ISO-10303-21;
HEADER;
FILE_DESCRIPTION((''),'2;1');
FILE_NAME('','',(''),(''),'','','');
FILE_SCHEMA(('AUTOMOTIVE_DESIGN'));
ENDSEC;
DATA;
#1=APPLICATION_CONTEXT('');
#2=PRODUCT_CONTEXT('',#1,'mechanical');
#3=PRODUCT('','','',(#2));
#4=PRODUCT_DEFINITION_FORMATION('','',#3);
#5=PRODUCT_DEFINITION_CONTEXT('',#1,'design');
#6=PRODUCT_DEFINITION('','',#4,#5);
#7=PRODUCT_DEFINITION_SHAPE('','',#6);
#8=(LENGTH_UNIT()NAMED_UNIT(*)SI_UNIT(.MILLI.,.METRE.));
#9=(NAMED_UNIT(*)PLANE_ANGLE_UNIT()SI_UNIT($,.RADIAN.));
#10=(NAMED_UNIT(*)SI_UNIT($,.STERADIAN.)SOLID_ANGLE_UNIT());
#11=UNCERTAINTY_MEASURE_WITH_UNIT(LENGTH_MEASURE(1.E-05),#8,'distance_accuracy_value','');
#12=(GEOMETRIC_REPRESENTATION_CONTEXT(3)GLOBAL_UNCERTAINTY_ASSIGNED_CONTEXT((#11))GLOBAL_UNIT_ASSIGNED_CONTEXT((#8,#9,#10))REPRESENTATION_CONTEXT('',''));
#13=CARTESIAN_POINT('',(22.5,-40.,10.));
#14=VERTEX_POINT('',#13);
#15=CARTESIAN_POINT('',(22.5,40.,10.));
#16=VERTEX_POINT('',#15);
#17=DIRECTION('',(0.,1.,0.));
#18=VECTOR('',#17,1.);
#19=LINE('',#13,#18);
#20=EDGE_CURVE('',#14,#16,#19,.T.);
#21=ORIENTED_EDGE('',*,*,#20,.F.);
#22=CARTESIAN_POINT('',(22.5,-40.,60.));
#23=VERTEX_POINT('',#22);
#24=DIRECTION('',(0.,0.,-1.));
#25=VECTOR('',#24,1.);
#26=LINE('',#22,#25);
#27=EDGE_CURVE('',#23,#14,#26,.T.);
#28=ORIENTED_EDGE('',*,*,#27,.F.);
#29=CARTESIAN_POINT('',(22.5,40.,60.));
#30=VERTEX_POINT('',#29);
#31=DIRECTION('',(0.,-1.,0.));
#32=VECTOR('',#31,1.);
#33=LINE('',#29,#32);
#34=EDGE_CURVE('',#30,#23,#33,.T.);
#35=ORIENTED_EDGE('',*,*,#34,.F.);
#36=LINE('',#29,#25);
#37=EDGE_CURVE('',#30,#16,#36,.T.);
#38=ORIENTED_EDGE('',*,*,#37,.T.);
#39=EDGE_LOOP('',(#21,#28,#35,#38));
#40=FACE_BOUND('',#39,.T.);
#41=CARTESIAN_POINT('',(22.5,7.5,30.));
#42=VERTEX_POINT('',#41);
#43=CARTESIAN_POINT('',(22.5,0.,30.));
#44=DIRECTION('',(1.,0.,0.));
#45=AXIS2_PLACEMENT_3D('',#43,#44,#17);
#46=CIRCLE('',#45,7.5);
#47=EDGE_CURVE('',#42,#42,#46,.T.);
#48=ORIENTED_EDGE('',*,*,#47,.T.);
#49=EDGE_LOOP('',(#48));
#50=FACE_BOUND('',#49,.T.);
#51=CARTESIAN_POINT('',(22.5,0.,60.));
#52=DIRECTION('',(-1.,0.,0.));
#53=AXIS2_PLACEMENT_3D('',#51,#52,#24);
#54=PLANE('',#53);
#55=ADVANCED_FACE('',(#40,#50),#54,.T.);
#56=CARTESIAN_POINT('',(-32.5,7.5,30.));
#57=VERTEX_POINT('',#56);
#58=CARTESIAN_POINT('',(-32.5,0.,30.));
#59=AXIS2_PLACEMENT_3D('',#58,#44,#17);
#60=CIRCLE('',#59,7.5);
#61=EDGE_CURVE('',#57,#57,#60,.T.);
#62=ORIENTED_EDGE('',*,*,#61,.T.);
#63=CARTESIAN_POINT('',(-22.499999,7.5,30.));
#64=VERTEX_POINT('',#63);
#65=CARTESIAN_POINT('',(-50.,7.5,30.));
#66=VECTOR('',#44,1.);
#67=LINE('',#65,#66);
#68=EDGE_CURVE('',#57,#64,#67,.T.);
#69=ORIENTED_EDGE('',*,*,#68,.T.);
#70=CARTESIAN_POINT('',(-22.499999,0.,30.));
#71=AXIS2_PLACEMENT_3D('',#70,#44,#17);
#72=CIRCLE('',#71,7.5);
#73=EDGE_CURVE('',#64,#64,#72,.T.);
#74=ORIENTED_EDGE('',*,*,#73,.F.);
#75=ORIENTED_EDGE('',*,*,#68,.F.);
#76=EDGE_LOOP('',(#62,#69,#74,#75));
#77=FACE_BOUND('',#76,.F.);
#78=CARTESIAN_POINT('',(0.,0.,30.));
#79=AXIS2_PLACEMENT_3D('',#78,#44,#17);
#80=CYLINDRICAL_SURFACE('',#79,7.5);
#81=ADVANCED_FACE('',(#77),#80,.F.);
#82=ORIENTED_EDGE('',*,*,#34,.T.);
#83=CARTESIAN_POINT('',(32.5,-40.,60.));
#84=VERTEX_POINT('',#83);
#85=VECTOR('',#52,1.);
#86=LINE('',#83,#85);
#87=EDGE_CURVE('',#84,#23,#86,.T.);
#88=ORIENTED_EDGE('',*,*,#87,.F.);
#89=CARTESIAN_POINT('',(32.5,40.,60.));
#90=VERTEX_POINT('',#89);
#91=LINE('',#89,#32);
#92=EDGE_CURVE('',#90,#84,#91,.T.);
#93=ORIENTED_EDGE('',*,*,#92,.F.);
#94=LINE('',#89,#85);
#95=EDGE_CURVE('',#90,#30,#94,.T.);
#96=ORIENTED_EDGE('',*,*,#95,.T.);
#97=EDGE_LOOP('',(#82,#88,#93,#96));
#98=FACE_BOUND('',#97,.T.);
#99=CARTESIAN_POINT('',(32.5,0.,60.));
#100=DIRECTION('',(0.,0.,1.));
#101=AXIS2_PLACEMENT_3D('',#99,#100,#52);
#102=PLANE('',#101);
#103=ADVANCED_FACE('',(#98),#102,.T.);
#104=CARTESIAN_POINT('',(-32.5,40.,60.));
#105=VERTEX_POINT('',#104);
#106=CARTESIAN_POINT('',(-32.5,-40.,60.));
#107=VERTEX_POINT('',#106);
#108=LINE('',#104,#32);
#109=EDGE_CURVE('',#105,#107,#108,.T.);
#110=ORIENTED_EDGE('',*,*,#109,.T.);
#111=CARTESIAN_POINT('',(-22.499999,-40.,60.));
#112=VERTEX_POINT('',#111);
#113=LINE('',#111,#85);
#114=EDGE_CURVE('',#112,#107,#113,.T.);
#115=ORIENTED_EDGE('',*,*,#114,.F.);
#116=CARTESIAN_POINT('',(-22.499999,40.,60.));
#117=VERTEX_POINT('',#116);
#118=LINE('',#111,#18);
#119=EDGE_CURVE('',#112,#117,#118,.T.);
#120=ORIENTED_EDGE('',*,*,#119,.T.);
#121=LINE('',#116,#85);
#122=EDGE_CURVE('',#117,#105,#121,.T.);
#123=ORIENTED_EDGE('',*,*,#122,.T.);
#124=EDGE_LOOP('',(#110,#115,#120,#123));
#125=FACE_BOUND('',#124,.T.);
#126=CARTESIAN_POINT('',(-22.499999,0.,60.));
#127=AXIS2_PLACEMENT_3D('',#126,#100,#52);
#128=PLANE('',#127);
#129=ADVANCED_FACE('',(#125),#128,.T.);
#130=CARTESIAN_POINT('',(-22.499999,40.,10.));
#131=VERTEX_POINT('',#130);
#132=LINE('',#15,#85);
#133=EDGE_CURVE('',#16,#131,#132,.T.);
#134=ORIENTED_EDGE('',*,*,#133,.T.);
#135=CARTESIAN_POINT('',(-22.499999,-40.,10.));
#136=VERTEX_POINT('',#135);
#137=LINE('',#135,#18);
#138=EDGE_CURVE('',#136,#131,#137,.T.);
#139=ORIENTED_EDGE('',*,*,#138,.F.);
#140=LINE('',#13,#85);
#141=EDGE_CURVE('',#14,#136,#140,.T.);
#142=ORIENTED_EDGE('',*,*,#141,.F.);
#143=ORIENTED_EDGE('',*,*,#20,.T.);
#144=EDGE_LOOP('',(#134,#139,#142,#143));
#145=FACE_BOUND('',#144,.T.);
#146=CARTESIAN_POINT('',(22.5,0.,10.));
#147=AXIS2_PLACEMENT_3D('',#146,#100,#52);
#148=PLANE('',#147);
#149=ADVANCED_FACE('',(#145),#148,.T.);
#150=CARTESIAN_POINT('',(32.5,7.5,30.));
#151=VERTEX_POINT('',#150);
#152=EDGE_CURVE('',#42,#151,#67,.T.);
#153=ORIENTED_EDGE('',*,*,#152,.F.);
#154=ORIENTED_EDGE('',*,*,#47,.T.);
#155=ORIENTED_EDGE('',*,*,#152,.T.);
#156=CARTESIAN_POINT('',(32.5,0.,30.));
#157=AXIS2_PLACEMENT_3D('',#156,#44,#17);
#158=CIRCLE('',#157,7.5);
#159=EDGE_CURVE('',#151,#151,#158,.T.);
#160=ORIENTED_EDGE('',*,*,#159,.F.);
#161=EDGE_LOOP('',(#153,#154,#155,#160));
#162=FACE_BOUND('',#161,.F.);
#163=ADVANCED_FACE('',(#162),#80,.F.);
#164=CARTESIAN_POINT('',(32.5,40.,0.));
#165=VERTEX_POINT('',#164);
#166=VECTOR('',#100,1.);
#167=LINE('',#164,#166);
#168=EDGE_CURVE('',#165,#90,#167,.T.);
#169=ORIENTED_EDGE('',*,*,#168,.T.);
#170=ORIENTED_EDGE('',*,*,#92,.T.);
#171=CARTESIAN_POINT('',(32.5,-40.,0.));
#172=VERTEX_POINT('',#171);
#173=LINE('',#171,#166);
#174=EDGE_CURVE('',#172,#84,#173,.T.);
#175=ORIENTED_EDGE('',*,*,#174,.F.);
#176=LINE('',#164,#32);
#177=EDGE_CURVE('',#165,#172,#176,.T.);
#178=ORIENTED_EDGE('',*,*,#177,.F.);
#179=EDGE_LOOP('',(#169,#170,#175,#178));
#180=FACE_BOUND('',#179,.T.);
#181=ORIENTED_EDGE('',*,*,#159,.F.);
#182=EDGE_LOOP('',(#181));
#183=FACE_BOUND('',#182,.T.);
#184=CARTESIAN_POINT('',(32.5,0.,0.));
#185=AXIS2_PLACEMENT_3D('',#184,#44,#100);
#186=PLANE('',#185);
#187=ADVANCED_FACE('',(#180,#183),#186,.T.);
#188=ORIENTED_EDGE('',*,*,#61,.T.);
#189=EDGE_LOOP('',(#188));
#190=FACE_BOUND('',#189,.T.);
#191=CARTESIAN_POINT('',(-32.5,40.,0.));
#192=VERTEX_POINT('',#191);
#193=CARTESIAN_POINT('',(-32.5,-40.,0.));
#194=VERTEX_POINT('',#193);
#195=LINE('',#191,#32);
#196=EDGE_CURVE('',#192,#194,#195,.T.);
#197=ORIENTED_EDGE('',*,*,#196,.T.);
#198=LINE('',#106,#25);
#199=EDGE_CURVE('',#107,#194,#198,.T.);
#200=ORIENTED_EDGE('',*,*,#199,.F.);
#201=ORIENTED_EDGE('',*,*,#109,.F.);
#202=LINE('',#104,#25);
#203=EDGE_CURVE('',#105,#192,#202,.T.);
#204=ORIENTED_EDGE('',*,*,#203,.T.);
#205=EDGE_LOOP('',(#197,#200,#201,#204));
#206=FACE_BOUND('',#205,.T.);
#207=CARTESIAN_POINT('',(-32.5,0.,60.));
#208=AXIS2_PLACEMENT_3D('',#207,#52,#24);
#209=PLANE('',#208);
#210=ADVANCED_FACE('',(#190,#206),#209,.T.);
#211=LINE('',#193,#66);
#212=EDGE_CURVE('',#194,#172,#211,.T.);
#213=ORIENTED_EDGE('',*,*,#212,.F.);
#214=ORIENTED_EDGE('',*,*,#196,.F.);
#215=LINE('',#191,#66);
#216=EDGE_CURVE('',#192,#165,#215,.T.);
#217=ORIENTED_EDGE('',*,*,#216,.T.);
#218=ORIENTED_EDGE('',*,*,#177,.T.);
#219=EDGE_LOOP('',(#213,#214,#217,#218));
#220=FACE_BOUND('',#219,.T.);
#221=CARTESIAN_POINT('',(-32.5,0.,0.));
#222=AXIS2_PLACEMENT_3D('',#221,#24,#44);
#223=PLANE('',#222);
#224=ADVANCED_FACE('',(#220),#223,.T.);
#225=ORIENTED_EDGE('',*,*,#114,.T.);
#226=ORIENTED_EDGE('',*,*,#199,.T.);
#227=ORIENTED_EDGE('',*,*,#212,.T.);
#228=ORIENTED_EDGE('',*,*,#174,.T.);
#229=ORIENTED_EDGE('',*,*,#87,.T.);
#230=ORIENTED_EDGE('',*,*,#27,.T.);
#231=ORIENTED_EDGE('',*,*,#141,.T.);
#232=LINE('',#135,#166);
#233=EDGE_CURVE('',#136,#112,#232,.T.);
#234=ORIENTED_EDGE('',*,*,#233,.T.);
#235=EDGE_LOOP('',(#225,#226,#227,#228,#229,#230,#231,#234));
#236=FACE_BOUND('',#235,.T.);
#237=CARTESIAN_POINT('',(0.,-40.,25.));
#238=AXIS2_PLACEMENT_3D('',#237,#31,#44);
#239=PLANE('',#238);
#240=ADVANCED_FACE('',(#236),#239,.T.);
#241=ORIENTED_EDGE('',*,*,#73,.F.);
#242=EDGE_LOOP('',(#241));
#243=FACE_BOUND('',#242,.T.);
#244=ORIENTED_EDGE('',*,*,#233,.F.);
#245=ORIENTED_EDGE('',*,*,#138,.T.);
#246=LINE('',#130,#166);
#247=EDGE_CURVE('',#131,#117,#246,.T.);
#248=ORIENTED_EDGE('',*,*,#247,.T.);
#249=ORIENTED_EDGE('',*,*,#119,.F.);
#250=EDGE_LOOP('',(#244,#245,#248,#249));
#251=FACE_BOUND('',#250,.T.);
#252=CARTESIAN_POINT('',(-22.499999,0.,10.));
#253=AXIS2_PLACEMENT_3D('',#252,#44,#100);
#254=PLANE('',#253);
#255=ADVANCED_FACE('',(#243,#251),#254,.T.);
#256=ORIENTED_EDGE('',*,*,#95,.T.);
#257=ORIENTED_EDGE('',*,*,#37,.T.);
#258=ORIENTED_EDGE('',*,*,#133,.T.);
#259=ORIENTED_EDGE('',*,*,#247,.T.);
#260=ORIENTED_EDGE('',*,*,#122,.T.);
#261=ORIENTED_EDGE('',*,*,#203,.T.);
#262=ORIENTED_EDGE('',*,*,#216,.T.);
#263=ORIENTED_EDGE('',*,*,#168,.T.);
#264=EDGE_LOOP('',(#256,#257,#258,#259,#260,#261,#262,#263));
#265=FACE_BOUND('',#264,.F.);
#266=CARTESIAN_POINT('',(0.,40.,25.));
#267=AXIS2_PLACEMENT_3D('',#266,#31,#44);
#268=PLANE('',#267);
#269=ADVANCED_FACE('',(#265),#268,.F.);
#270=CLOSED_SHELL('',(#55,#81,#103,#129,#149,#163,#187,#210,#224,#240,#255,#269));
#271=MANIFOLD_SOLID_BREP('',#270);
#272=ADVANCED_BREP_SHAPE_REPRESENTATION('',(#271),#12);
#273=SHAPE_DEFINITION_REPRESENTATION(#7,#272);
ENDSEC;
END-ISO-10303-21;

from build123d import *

# Parameters (mm, degrees)
F1_DEPTH = 40
F2_R     = 7.5
F3_DEPTH = 50


with BuildPart() as f1:
    # F0 (on Front) → F1 (new body, symmetric)
    with BuildSketch(Plane.XZ):
        Polygon((-22.499999, 60), (-32.5, 60), (-32.5, 0), (32.5, 0), (32.5, 60), (22.5, 60), (22.5, 10), (-22.499999, 10), align=None)
    extrude(amount=F1_DEPTH, both=True)

    # F2 (on Right) → F3 (cut, symmetric)
    with BuildSketch(Plane.YZ):
        with Locations((0, 30)):
            Circle(F2_R)
    extrude(amount=F3_DEPTH, both=True, mode=Mode.SUBTRACT)


solid = f1.part
